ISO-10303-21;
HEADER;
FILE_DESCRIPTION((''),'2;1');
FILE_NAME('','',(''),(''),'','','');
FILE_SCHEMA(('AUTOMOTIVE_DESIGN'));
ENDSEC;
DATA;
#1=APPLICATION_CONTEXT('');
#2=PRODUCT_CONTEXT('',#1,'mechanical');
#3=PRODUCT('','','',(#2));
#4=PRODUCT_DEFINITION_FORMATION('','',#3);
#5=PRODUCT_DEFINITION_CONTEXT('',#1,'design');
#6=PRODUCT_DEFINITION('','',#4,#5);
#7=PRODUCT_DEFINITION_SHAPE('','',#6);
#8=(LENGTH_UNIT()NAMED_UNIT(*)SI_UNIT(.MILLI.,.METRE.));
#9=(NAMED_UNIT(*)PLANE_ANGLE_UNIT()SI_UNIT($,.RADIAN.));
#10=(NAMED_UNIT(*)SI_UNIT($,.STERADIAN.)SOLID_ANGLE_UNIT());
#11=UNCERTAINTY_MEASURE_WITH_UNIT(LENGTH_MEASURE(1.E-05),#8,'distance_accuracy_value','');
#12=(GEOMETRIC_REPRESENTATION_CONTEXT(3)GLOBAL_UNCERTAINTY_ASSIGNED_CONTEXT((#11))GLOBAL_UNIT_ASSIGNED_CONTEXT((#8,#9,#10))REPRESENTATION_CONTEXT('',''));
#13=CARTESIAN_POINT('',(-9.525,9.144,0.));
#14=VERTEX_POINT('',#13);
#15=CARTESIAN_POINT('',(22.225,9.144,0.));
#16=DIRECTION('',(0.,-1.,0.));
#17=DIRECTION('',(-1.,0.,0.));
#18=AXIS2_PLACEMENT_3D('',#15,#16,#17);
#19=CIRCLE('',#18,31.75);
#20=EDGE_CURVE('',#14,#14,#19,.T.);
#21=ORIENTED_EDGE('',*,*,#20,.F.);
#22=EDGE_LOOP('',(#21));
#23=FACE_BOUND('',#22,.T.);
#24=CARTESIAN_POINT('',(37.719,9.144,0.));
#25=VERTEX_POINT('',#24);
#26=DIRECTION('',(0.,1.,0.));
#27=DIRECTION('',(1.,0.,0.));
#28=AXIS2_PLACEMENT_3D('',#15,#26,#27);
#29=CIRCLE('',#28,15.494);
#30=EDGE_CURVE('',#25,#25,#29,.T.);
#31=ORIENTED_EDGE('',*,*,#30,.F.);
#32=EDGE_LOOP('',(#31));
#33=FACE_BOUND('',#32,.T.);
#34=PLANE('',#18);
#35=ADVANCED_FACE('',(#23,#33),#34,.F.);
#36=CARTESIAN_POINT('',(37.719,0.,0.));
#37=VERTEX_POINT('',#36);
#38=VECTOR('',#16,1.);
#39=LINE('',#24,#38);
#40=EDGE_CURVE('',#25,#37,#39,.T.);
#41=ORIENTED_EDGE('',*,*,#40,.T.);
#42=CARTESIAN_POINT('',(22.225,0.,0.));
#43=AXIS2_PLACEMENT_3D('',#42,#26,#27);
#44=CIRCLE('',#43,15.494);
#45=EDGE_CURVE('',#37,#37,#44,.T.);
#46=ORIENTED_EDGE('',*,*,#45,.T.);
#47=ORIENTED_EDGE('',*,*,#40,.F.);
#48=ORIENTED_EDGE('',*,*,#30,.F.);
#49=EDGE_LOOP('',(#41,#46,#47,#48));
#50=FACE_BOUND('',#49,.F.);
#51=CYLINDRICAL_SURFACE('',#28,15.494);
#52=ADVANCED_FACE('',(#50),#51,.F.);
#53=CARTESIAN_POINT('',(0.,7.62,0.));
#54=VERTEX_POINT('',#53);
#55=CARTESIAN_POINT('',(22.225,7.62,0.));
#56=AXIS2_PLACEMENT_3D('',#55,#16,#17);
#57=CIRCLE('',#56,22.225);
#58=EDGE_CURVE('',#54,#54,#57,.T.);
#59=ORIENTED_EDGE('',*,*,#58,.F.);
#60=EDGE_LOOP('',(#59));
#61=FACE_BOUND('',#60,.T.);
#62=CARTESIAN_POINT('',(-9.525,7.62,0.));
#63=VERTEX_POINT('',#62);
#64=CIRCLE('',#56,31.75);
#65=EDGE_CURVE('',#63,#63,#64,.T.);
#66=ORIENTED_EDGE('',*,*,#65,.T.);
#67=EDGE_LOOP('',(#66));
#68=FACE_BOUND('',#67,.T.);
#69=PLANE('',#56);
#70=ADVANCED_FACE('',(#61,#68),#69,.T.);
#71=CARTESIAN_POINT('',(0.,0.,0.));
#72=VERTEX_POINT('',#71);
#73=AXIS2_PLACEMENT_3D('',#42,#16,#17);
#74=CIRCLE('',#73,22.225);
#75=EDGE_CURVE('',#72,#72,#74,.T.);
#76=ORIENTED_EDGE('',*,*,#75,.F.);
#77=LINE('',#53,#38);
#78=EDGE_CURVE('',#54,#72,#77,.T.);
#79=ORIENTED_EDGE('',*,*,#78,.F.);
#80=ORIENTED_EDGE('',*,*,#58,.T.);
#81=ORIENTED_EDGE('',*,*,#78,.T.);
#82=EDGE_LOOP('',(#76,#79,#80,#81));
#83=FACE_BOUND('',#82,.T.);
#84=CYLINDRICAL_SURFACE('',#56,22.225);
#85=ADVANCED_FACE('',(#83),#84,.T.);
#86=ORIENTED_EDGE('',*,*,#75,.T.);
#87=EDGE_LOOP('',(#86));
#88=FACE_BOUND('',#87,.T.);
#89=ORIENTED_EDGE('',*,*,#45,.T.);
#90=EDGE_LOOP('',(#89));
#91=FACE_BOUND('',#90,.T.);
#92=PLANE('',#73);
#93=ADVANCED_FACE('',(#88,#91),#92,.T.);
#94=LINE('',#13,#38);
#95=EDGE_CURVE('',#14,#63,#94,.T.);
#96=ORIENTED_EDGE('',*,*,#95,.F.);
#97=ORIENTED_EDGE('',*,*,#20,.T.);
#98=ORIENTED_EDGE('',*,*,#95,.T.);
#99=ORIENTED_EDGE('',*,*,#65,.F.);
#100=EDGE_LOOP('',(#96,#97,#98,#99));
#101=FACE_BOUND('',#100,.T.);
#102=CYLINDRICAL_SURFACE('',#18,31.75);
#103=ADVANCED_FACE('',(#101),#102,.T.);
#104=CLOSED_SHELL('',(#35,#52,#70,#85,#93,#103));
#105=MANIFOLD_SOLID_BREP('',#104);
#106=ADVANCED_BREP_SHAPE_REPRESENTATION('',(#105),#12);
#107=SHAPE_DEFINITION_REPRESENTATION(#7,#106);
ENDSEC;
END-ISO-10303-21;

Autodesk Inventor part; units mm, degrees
ref_plane "XZ Plane" through (0, 0, 0) normal (0, 1, 0) x (-1, 0, 0)
ref_plane "XY Plane" through (0, 0, 0) normal (0, 0, 1) x (1, 0, 0)
sketch "Sketch1" plane through (0, 0, 0) normal (0, 0, 1) x (1, 0, 0)
  line L0 (0, 0) -> (22.225, 0)
  line L1 (22.225, 7.62) -> (0, 7.62)
  line L2 (0, 7.62) -> (0, 0)
  line L3 (22.225, 9.144) -> (-9.525, 9.144)
  line L4 (-9.525, 9.144) -> (-9.525, 7.62)
  line L5 (22.225, 9.144) -> (22.225, 0)
  line L6 (-9.525, 7.62) -> (22.225, 7.62)
  dimension "d7" = 22.225
revolve "Revolution1" add sketch "Sketch1" angle 360 about axis through (22.225, 9.144, 0) along (0, -1, 0)
sketch "Sketch2" plane through (22.225, 9.144, 0) normal (0, 1, 0) x (1, 0, 0)
  circle A0 centre (0, 0) radius 31.75 projected
  circle A1 centre (0, 0) radius 15.494
  point P0 (-22.225, 0)
  dimension "d22" = 30.988
extrude "Extrusion1" cut sketch "Sketch2" against normal through all contours A1
sketch "Sketch3" plane through (0, 0, 0) normal (1, 0, 0) x (0, 1, 0)
  line L0 (0, -22.225) -> (0, 22.225) projected
  line L1 (7.62, -22.225) -> (7.62, 22.225) projected
  circle A0 centre (3.81, 0) radius 1.5875
  point P0 (0, 0)
  dimension "d25" = 7.62
  dimension "d26" = 3.81
  dimension "d34" = 3.175
equation "\"d7\" = 0.5 * d1"
equation "\"d26\" = 0.5 * d25"
equation "\"d1\" = 44.45"
properties part number "motor input"
